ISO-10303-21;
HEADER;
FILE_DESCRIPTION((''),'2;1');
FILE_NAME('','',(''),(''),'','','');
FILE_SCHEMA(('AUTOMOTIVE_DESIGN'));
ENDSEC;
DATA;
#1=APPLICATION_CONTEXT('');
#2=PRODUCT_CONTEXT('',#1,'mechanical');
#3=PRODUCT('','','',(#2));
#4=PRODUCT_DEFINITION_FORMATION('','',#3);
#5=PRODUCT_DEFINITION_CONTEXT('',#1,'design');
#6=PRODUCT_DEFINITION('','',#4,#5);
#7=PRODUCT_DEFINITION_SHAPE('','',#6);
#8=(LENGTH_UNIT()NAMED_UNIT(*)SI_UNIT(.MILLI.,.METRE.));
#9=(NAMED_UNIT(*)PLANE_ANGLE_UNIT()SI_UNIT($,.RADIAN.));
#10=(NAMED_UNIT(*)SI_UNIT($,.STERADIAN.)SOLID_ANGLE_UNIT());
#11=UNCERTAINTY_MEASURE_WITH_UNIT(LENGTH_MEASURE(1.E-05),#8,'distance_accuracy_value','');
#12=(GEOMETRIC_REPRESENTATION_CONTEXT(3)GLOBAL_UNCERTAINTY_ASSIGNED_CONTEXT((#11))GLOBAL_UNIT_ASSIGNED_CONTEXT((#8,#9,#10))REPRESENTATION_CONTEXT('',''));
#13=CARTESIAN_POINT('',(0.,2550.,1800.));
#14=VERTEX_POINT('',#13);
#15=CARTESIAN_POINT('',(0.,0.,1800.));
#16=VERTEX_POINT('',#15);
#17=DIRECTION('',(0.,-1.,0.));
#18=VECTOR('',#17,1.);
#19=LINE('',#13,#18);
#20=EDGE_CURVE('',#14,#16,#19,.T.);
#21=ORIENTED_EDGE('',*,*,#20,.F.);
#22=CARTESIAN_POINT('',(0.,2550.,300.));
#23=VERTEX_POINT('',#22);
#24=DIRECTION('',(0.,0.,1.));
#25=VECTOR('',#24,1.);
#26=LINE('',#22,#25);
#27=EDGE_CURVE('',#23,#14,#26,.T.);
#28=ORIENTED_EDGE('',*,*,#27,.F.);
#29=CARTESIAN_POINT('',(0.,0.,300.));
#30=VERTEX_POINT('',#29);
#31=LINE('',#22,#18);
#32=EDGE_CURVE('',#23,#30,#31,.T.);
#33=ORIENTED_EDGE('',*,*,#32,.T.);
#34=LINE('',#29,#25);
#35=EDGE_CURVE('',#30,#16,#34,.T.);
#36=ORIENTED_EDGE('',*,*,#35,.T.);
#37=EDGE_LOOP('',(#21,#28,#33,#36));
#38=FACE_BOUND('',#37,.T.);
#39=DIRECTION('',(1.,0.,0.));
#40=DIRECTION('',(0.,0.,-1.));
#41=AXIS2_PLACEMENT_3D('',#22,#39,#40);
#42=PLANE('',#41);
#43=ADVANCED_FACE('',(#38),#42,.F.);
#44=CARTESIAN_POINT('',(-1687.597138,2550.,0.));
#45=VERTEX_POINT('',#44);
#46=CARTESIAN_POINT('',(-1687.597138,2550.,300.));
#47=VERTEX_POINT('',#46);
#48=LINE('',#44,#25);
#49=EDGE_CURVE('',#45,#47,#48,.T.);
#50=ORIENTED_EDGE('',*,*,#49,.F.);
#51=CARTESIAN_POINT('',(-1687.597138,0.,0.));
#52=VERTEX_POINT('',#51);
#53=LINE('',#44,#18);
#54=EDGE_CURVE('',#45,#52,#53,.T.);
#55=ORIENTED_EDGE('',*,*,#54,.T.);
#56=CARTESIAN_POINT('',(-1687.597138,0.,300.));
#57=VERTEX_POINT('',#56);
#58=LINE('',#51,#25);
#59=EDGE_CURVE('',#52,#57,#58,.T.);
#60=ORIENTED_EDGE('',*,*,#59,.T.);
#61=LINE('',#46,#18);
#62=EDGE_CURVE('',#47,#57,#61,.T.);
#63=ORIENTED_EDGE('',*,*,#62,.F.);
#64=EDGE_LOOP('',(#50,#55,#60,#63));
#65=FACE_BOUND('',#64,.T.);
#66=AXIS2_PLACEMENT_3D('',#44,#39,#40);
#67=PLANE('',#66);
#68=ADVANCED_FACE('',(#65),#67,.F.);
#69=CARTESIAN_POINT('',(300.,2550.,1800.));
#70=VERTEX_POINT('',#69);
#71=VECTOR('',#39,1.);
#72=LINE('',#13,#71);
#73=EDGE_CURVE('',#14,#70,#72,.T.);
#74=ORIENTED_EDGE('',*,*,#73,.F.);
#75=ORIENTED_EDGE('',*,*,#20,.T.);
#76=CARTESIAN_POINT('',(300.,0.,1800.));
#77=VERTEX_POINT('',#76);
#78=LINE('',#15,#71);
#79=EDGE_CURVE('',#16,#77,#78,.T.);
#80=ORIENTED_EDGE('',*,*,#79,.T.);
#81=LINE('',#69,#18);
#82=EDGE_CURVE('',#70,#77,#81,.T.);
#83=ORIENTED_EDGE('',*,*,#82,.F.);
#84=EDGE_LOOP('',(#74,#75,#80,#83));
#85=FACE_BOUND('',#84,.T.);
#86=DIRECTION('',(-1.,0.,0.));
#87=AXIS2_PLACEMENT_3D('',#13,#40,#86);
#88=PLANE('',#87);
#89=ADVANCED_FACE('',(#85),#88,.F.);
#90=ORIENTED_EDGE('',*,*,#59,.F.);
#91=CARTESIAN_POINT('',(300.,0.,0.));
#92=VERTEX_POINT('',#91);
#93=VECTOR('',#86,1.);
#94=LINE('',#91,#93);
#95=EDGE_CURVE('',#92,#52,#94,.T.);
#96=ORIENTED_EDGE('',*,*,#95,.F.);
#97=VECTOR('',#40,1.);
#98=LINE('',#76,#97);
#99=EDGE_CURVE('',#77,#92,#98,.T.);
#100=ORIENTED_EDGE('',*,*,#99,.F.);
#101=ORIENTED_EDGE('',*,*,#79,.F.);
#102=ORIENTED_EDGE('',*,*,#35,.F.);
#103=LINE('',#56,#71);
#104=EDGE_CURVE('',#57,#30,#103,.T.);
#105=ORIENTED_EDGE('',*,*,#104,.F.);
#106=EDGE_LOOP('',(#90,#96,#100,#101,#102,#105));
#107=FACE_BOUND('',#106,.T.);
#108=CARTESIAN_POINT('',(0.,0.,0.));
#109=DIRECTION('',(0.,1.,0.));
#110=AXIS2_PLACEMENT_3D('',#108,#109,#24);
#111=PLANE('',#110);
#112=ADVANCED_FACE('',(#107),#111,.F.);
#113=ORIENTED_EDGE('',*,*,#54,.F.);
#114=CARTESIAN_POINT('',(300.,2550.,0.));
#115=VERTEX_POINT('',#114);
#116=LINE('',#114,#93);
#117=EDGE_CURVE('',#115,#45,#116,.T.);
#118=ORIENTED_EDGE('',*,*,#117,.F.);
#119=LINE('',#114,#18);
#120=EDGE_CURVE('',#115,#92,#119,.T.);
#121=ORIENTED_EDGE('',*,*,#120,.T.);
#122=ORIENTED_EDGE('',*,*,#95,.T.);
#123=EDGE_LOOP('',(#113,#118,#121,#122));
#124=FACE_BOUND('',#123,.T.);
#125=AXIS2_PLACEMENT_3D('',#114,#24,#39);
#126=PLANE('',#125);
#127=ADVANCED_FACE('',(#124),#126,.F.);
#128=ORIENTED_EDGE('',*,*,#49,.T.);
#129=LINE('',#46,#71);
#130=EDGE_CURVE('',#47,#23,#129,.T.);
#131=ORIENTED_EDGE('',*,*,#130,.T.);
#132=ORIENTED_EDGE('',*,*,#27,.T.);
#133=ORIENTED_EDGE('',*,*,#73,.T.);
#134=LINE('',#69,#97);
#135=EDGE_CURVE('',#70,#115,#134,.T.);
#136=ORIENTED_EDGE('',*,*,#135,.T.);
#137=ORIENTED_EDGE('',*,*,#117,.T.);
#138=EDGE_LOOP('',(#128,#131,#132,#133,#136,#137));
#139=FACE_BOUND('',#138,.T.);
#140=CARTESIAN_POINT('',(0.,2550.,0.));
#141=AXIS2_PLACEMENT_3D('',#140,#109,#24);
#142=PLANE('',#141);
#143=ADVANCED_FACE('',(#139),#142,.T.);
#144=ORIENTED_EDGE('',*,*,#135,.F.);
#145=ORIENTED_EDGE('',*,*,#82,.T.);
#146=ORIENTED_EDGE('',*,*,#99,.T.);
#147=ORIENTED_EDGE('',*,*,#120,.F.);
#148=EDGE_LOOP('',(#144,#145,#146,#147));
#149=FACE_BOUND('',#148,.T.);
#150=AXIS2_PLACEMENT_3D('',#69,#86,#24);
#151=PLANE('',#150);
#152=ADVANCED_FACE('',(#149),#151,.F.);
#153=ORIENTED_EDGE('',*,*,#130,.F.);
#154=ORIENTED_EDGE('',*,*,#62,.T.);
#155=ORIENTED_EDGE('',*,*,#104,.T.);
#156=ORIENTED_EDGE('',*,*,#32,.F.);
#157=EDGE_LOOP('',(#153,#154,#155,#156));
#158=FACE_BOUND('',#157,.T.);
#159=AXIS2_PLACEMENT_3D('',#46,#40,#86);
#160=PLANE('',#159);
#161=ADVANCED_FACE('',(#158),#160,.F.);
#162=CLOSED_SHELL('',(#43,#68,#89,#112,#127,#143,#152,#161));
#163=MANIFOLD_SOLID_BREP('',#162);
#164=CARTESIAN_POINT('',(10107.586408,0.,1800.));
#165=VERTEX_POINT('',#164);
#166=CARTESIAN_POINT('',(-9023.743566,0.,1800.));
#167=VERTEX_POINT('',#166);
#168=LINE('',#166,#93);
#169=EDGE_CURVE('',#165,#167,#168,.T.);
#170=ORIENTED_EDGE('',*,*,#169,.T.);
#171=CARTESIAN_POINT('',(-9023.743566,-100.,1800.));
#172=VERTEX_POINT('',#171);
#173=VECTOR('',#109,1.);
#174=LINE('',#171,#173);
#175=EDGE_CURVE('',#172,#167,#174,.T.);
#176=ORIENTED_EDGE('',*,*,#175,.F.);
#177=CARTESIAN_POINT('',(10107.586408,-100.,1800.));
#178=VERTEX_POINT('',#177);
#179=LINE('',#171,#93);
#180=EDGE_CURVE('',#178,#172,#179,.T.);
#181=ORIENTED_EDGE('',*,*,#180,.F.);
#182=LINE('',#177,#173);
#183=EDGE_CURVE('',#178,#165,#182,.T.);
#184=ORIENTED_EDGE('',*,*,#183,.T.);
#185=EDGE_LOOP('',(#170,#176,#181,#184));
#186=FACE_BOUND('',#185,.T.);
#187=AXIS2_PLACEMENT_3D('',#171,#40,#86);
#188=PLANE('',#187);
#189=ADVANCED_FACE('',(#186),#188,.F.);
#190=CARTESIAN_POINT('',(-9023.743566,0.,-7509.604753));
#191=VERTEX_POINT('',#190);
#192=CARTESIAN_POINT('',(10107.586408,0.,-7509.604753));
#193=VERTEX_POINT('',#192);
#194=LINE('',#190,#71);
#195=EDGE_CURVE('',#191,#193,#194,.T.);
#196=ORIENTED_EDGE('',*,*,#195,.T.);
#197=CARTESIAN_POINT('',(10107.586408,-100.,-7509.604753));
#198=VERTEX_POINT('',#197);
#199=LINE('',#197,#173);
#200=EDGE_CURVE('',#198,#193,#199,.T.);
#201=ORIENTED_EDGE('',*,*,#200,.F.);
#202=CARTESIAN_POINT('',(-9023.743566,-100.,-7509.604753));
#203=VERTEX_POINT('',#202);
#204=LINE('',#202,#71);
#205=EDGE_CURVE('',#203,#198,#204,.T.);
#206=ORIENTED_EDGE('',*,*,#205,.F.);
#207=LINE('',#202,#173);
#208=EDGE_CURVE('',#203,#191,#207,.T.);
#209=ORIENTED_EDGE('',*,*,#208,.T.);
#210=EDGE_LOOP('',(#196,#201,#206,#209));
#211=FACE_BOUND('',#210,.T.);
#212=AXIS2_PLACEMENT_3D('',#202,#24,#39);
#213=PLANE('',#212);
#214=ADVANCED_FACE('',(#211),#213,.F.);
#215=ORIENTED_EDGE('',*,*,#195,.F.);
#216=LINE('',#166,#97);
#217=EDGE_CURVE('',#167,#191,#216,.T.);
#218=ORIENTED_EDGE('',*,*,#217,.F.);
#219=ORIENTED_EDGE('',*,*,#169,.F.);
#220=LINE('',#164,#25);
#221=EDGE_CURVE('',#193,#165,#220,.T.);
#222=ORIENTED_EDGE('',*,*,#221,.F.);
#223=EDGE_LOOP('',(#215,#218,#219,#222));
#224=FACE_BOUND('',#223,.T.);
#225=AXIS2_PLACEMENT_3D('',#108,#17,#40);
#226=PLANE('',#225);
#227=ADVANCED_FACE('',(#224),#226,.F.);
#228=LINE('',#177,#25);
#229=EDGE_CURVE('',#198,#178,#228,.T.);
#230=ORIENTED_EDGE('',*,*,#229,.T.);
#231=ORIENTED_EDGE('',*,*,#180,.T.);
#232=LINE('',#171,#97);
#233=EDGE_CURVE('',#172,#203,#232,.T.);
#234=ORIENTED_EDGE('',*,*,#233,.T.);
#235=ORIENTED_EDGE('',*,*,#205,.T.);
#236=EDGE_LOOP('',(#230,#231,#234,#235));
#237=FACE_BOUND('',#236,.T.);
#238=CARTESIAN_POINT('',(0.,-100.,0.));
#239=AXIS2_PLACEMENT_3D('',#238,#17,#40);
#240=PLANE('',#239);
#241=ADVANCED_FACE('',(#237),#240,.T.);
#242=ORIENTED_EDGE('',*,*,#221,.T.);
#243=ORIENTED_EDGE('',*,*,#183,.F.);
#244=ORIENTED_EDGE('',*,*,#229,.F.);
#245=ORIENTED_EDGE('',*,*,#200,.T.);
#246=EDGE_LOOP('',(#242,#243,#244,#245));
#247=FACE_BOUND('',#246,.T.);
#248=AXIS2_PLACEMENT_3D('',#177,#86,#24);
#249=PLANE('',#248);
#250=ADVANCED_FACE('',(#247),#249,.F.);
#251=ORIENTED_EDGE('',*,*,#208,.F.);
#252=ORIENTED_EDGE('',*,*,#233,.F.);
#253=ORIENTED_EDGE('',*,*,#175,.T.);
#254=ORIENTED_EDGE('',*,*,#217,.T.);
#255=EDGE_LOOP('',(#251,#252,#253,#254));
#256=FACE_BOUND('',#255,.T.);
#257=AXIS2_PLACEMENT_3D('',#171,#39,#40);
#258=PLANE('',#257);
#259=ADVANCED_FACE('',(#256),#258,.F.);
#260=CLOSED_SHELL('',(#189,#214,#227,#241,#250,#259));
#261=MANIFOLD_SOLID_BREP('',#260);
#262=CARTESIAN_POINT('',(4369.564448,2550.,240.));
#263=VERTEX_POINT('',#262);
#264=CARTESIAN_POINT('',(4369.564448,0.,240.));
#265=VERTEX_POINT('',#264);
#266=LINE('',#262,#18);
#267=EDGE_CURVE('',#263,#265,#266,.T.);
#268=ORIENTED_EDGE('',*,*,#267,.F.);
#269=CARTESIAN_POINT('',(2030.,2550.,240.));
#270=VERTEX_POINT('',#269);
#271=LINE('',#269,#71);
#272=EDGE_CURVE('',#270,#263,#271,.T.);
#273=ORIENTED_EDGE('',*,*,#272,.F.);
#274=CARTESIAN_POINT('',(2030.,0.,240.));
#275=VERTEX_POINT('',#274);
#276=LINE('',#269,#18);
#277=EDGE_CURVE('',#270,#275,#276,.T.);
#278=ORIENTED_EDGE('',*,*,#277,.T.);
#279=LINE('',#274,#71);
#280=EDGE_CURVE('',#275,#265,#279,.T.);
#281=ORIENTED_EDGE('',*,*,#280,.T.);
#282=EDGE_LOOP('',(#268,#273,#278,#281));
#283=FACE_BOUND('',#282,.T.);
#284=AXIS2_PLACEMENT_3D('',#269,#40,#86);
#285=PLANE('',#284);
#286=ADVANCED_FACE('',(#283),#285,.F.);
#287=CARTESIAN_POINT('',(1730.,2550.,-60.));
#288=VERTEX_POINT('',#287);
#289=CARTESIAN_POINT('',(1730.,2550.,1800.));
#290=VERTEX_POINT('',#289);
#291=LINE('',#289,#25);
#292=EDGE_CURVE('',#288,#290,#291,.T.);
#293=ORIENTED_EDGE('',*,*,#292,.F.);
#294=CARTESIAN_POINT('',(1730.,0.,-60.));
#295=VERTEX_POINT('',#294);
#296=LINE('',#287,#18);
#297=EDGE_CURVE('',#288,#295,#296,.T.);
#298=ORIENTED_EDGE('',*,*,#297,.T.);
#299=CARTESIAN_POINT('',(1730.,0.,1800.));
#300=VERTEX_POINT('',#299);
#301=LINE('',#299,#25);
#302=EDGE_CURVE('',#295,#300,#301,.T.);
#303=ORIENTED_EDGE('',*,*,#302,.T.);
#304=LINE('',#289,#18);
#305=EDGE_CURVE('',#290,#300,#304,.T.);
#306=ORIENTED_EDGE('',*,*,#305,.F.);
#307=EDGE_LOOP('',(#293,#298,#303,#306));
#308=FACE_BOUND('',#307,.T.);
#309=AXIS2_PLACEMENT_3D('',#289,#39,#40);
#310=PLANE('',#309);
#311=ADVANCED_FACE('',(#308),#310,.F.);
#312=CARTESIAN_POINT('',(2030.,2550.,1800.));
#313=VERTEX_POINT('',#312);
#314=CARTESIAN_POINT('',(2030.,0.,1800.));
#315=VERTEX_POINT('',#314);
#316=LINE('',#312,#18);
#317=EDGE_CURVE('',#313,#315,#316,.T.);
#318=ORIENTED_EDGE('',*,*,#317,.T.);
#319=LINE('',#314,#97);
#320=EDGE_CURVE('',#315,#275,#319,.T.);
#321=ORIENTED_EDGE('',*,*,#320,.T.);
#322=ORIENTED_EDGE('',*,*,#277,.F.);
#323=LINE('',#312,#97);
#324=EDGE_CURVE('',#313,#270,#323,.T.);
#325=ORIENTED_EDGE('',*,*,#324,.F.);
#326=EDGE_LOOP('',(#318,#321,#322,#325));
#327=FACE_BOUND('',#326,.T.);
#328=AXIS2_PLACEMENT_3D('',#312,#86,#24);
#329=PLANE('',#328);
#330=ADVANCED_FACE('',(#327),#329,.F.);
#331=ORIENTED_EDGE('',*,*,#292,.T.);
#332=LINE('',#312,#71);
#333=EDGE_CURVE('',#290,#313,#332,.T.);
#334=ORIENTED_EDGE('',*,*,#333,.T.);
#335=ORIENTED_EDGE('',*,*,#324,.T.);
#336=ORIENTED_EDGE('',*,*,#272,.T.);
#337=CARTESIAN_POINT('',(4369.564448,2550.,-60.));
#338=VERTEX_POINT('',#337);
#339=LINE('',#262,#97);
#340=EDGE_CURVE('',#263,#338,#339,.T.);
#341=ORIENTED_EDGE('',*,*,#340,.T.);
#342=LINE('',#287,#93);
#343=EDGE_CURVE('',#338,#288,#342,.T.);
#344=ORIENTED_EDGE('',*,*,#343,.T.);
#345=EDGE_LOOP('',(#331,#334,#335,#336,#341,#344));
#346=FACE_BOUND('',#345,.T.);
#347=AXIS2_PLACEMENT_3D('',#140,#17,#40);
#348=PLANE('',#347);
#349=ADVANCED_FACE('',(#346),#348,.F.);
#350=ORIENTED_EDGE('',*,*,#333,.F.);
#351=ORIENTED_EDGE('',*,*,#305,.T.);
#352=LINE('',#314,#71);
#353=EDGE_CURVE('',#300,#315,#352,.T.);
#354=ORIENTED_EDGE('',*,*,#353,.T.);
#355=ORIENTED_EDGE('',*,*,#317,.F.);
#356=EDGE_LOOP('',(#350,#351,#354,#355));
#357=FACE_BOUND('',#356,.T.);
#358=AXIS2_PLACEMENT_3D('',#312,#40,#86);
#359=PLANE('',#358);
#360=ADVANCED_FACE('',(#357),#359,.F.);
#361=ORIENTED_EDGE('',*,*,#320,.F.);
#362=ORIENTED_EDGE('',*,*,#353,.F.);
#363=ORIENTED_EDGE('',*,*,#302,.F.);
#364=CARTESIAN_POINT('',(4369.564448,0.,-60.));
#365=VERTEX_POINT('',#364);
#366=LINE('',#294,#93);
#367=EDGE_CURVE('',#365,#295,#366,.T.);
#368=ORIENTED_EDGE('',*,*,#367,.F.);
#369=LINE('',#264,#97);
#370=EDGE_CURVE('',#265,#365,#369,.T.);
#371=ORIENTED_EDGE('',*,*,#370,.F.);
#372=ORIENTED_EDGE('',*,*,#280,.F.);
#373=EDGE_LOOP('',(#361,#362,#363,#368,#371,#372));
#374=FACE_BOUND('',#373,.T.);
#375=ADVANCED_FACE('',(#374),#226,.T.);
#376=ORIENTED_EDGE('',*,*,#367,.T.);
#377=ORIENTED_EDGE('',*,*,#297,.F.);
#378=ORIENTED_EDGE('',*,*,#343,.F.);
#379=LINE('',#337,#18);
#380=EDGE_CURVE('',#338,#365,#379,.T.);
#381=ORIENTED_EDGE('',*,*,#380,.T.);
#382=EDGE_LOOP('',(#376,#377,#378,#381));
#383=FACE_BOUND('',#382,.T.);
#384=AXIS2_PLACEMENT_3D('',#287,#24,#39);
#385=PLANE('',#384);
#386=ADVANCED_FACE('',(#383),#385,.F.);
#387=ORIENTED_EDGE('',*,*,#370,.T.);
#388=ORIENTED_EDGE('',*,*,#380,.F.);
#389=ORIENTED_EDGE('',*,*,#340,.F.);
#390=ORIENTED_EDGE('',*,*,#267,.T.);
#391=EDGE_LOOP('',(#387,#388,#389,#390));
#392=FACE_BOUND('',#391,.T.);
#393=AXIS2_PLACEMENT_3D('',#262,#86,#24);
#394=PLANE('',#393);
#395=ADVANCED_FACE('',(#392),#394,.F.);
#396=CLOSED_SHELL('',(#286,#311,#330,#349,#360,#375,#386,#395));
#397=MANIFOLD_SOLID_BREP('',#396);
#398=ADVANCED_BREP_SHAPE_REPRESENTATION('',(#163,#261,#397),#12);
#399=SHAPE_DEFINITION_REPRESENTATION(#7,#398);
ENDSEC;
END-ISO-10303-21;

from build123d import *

# Parameters (mm, degrees)
BOSS_EXTRUDE1_DEPTH   = 2550
BOSS_EXTRUDE1_2_DEPTH = 2550
SKETCH2_W             = 19131.32997412
SKETCH2_H             = 9309.604753216
BOSS_EXTRUDE2_DEPTH   = 100


with BuildPart() as part:
    # Sketch1 → Boss-Extrude1 (new body)
    with BuildSketch(Plane(origin=(0, 0, 0), x_dir=(1, 0, 0), z_dir=(0, 1, 0))):
        Polygon((300, 0), (-1687.597138015, 0), (-1687.597138015, -300), (0, -300), (0, -1800), (300, -1800), align=None)
    extrude(amount=BOSS_EXTRUDE1_DEPTH)


with BuildPart() as body_2:
    # Sketch1 → Boss-Extrude1 2 (new body)
    with BuildSketch(Plane(origin=(0, 0, 0), x_dir=(1, 0, 0), z_dir=(0, 1, 0))):
        Polygon((1730, 60), (4369.564447806, 60), (4369.564447806, -240), (2030, -240), (2030, -1800), (1730, -1800), align=None)
    extrude(amount=BOSS_EXTRUDE1_2_DEPTH)


with BuildPart() as body_3:
    # Sketch2 → Boss-Extrude2 (new body)
    with BuildSketch(Plane.XZ):
        with Locations((541.921421212, -2854.802376608)):
            Rectangle(SKETCH2_W, SKETCH2_H)
    extrude(amount=BOSS_EXTRUDE2_DEPTH)


solid = Compound([part.part, body_2.part, body_3.part])
